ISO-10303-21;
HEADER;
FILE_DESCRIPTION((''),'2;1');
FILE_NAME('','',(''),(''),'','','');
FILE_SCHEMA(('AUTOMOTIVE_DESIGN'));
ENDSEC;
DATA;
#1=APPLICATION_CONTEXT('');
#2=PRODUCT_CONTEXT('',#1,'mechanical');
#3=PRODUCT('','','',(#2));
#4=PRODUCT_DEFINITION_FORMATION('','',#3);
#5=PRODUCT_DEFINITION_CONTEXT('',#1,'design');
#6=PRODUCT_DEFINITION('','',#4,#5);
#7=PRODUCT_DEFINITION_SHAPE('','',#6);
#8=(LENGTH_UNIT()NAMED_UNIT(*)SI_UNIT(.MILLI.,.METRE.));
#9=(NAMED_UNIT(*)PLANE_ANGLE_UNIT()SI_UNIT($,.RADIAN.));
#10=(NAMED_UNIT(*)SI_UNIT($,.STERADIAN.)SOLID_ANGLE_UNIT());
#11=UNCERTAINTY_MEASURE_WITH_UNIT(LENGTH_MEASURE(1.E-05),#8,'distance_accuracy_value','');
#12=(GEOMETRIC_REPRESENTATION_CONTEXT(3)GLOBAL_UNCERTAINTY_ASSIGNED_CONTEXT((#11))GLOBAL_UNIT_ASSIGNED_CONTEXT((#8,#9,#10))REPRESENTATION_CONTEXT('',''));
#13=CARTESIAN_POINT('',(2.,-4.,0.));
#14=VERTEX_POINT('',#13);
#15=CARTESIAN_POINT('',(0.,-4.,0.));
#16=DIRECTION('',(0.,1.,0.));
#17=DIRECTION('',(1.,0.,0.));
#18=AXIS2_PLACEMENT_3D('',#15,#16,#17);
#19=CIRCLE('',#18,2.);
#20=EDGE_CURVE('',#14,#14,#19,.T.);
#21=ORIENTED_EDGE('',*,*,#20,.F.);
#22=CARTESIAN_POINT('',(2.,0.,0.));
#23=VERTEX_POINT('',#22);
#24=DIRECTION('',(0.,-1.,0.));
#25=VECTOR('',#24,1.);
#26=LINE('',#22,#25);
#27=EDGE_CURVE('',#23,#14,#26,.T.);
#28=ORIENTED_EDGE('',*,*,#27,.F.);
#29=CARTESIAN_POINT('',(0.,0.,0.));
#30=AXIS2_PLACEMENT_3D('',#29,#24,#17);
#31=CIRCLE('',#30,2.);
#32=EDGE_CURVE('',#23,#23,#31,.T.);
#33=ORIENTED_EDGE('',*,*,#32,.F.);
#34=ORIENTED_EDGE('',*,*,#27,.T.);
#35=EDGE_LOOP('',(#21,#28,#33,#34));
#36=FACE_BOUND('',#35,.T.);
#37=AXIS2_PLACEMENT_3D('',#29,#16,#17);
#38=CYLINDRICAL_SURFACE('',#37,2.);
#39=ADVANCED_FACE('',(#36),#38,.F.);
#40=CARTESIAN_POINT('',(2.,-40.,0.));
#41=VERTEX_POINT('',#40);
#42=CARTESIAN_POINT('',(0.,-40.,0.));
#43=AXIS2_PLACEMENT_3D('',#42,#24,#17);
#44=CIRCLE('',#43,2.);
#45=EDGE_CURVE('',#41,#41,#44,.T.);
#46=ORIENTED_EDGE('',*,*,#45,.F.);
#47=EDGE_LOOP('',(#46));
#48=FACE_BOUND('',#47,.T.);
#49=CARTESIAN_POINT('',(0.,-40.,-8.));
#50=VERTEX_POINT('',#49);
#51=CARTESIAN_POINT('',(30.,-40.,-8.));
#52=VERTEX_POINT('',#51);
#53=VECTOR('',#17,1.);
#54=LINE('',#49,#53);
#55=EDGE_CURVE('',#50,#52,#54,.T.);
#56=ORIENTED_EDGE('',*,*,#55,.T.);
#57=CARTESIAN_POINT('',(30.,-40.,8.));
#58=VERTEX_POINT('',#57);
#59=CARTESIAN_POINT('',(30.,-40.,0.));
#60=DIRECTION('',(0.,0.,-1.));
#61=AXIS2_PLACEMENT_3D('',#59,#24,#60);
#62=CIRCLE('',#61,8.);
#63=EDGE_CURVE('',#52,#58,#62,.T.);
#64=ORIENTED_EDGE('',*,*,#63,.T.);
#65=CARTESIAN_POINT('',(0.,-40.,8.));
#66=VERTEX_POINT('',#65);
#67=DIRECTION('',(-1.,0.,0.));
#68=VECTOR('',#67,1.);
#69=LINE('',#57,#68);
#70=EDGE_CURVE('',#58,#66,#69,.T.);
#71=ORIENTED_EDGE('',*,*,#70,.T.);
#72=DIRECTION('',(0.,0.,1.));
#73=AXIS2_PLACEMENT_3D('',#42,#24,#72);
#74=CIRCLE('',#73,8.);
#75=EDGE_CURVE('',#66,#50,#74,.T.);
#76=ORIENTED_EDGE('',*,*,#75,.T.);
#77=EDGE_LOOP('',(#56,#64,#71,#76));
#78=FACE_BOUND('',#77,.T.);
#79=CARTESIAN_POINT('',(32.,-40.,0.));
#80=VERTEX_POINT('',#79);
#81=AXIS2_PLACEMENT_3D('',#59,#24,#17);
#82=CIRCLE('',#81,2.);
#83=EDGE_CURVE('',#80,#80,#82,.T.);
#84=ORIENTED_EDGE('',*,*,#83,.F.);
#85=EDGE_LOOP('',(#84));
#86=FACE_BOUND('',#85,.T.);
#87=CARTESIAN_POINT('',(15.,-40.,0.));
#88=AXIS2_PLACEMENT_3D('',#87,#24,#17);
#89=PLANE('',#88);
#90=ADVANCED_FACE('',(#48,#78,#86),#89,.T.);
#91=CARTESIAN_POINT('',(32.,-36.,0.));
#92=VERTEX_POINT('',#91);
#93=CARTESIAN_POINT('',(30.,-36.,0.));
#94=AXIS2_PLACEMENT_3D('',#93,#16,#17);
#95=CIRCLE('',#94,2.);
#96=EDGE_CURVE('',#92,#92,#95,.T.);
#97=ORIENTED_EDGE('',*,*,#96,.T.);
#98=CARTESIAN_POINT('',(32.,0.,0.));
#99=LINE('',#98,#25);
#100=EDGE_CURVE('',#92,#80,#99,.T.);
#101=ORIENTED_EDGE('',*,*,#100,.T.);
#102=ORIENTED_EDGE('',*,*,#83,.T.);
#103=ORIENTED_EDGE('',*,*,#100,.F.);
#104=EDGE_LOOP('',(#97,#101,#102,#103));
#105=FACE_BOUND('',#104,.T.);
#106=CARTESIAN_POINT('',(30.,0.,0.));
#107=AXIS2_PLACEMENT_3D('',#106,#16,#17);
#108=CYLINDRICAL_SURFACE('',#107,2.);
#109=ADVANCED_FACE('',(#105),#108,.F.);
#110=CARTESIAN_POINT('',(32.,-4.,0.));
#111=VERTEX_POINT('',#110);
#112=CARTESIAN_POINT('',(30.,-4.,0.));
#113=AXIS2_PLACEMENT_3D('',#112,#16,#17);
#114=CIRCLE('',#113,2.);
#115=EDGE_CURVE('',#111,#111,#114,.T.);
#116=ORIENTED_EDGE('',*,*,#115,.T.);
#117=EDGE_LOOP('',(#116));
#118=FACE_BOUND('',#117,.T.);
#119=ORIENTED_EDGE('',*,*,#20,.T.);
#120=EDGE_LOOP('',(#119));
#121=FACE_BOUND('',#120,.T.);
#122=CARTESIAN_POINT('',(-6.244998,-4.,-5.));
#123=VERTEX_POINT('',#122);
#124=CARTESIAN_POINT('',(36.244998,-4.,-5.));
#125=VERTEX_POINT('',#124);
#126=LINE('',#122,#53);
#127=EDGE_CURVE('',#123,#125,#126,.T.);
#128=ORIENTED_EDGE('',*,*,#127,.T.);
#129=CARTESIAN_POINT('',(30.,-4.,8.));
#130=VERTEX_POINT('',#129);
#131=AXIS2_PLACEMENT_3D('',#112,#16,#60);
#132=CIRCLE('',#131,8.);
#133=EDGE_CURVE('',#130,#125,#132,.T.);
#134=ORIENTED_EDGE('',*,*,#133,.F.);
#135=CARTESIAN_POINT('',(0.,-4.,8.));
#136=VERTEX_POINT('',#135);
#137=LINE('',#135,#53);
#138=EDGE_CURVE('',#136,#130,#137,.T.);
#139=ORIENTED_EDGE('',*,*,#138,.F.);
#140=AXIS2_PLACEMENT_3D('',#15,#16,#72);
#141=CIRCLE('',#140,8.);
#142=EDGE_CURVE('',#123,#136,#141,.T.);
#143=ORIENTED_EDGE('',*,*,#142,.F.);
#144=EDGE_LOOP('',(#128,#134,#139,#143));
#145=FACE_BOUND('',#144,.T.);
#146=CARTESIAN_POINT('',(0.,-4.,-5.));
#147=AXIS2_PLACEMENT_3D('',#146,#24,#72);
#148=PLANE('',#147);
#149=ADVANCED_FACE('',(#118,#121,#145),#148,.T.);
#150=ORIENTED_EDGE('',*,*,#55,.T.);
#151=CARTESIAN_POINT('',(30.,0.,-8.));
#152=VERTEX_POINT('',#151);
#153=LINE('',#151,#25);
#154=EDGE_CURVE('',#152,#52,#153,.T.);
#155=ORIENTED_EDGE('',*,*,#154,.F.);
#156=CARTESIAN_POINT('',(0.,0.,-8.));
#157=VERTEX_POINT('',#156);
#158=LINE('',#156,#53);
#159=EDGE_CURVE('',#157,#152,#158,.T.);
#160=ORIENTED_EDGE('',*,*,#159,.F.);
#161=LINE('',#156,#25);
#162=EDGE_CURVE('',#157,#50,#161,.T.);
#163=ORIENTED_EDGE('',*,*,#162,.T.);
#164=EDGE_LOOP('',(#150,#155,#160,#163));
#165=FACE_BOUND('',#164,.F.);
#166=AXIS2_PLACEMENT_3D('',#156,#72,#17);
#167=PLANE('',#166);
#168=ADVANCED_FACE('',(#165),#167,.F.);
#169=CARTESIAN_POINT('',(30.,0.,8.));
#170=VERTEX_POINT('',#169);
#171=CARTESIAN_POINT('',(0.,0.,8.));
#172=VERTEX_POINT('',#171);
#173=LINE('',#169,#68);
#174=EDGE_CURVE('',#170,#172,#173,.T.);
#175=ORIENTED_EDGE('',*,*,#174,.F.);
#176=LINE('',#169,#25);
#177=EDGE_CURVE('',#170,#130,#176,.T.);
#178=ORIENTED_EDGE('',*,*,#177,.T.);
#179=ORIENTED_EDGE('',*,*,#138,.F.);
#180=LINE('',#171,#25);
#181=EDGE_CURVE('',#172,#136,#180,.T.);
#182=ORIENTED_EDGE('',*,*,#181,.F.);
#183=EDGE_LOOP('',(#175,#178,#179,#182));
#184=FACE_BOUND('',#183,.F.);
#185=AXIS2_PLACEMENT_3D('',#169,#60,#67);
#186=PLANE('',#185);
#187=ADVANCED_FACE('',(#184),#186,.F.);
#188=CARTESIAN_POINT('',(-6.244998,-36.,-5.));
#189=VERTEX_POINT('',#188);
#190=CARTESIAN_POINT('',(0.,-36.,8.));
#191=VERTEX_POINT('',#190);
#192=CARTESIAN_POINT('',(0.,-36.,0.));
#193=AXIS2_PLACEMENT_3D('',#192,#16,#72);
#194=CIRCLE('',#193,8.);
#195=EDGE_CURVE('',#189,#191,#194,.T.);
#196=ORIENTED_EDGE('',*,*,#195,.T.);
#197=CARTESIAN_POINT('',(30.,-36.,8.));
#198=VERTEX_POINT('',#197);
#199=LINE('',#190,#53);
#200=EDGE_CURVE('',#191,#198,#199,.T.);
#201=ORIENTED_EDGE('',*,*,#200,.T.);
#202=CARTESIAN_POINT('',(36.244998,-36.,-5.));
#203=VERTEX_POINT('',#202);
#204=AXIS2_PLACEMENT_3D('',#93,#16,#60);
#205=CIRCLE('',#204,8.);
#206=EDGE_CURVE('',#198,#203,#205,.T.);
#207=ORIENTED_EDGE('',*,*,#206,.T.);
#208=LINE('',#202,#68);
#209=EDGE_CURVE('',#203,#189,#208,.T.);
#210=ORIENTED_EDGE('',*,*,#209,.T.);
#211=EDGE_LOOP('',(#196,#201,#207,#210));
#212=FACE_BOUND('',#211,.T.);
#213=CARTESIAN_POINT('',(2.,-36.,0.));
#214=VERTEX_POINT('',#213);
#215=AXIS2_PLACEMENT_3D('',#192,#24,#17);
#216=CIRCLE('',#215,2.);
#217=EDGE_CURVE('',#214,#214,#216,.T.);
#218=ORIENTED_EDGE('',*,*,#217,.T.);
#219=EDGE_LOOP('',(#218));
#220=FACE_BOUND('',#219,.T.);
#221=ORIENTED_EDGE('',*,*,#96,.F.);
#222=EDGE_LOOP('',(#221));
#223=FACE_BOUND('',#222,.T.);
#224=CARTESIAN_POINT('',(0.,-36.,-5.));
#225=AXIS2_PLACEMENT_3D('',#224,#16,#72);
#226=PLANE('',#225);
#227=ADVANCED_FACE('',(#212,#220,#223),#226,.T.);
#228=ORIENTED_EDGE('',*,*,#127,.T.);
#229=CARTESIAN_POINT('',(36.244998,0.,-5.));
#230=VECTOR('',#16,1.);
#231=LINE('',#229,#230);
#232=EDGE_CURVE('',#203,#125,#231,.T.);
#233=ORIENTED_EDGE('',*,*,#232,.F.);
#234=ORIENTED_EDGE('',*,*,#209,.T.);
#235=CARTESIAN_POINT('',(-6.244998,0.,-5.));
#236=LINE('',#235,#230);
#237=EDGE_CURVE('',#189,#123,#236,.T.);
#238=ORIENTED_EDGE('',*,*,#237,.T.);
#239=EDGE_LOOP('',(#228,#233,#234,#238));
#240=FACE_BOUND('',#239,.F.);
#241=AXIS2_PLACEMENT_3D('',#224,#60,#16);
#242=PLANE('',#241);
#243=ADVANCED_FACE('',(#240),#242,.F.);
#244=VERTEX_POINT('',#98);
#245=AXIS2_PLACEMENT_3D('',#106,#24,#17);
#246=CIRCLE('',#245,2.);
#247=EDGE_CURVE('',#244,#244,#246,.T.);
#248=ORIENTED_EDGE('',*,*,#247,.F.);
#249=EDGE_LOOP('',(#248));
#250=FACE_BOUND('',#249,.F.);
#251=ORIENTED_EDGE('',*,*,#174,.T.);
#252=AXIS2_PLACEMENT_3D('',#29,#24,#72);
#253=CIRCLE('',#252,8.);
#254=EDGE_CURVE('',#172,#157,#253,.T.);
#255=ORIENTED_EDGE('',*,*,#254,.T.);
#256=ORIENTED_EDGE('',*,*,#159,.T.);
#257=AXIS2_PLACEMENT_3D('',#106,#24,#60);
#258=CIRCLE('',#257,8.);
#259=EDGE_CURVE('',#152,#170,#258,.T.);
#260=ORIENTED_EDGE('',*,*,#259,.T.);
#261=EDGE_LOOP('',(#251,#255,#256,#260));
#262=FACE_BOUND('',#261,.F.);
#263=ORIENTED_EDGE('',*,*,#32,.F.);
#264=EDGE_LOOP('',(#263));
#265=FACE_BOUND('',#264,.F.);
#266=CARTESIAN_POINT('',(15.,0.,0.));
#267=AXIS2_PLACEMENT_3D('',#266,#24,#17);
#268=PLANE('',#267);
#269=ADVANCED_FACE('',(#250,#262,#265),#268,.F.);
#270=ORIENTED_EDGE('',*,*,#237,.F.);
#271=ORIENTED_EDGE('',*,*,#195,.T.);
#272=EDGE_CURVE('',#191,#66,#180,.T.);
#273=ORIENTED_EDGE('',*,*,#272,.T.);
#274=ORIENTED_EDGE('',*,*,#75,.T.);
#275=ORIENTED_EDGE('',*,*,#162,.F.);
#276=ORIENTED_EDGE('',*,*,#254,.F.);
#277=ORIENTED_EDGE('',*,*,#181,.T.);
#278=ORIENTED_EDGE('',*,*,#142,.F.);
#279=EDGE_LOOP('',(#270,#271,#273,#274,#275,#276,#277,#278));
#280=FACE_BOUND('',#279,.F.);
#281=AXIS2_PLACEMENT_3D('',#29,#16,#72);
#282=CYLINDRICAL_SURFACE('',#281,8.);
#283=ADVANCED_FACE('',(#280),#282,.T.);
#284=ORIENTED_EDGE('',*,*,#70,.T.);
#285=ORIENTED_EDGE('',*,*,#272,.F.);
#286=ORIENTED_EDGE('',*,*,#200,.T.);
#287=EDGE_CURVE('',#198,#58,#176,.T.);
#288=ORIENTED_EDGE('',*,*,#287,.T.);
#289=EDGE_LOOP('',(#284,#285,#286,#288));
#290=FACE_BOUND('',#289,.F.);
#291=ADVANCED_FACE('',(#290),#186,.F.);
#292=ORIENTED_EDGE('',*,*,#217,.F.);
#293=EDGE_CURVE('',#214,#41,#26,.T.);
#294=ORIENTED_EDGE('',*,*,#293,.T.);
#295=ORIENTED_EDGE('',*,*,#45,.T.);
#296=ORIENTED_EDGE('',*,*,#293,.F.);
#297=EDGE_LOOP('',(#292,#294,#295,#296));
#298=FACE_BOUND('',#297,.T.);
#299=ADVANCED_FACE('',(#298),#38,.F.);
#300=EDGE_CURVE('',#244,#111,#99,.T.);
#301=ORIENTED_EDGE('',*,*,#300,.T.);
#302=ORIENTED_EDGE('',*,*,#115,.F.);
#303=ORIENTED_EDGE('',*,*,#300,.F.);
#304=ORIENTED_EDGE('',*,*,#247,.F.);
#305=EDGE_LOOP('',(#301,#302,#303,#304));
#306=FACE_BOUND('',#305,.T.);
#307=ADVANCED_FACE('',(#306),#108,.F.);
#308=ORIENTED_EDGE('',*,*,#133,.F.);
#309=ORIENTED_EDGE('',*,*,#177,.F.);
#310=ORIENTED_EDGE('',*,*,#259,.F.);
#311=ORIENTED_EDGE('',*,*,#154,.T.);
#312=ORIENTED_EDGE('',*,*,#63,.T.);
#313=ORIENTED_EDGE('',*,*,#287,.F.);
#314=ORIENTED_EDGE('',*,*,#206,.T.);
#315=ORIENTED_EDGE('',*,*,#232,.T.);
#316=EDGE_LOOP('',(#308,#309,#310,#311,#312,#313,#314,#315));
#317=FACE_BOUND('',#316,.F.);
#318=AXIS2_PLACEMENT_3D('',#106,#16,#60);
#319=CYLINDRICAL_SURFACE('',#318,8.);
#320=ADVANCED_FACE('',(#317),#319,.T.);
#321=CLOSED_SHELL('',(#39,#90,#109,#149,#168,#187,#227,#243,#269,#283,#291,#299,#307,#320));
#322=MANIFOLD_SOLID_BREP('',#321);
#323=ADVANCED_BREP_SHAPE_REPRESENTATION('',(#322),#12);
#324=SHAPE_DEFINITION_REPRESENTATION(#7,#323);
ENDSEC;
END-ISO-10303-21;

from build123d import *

# Parameters (mm, degrees)
F0_R          = 2
F1_DEPTH      = 40
F2_W          = 32
F2_H          = 13
F3_DEPTH      = 38.001
F3_DEPTH_BACK = 25


with BuildPart() as f1:
    # F0 (on Front) → F1 (new body)
    with BuildSketch(Plane.XZ):
        with BuildLine():
            Line((30, 8), (0, 8))
            ThreePointArc((0, 8), (-8, 0), (0, -8))
            Line((0, -8), (30, -8))
            ThreePointArc((30, -8), (38, 0), (30, 8))
        make_face()
        Circle(F0_R, mode=Mode.SUBTRACT)
        with Locations((30, 0)):
            Circle(F0_R, mode=Mode.SUBTRACT)
    extrude(amount=F1_DEPTH)

    # F2 (on Right) → F3 (cut, two sides)
    with BuildSketch(Plane.YZ) as f3_sk:
        with Locations((-20, 1.5)):
            Rectangle(F2_W, F2_H)
    extrude(amount=F3_DEPTH, mode=Mode.SUBTRACT)
    extrude(f3_sk.sketch, amount=-F3_DEPTH_BACK, mode=Mode.SUBTRACT)


solid = f1.part
